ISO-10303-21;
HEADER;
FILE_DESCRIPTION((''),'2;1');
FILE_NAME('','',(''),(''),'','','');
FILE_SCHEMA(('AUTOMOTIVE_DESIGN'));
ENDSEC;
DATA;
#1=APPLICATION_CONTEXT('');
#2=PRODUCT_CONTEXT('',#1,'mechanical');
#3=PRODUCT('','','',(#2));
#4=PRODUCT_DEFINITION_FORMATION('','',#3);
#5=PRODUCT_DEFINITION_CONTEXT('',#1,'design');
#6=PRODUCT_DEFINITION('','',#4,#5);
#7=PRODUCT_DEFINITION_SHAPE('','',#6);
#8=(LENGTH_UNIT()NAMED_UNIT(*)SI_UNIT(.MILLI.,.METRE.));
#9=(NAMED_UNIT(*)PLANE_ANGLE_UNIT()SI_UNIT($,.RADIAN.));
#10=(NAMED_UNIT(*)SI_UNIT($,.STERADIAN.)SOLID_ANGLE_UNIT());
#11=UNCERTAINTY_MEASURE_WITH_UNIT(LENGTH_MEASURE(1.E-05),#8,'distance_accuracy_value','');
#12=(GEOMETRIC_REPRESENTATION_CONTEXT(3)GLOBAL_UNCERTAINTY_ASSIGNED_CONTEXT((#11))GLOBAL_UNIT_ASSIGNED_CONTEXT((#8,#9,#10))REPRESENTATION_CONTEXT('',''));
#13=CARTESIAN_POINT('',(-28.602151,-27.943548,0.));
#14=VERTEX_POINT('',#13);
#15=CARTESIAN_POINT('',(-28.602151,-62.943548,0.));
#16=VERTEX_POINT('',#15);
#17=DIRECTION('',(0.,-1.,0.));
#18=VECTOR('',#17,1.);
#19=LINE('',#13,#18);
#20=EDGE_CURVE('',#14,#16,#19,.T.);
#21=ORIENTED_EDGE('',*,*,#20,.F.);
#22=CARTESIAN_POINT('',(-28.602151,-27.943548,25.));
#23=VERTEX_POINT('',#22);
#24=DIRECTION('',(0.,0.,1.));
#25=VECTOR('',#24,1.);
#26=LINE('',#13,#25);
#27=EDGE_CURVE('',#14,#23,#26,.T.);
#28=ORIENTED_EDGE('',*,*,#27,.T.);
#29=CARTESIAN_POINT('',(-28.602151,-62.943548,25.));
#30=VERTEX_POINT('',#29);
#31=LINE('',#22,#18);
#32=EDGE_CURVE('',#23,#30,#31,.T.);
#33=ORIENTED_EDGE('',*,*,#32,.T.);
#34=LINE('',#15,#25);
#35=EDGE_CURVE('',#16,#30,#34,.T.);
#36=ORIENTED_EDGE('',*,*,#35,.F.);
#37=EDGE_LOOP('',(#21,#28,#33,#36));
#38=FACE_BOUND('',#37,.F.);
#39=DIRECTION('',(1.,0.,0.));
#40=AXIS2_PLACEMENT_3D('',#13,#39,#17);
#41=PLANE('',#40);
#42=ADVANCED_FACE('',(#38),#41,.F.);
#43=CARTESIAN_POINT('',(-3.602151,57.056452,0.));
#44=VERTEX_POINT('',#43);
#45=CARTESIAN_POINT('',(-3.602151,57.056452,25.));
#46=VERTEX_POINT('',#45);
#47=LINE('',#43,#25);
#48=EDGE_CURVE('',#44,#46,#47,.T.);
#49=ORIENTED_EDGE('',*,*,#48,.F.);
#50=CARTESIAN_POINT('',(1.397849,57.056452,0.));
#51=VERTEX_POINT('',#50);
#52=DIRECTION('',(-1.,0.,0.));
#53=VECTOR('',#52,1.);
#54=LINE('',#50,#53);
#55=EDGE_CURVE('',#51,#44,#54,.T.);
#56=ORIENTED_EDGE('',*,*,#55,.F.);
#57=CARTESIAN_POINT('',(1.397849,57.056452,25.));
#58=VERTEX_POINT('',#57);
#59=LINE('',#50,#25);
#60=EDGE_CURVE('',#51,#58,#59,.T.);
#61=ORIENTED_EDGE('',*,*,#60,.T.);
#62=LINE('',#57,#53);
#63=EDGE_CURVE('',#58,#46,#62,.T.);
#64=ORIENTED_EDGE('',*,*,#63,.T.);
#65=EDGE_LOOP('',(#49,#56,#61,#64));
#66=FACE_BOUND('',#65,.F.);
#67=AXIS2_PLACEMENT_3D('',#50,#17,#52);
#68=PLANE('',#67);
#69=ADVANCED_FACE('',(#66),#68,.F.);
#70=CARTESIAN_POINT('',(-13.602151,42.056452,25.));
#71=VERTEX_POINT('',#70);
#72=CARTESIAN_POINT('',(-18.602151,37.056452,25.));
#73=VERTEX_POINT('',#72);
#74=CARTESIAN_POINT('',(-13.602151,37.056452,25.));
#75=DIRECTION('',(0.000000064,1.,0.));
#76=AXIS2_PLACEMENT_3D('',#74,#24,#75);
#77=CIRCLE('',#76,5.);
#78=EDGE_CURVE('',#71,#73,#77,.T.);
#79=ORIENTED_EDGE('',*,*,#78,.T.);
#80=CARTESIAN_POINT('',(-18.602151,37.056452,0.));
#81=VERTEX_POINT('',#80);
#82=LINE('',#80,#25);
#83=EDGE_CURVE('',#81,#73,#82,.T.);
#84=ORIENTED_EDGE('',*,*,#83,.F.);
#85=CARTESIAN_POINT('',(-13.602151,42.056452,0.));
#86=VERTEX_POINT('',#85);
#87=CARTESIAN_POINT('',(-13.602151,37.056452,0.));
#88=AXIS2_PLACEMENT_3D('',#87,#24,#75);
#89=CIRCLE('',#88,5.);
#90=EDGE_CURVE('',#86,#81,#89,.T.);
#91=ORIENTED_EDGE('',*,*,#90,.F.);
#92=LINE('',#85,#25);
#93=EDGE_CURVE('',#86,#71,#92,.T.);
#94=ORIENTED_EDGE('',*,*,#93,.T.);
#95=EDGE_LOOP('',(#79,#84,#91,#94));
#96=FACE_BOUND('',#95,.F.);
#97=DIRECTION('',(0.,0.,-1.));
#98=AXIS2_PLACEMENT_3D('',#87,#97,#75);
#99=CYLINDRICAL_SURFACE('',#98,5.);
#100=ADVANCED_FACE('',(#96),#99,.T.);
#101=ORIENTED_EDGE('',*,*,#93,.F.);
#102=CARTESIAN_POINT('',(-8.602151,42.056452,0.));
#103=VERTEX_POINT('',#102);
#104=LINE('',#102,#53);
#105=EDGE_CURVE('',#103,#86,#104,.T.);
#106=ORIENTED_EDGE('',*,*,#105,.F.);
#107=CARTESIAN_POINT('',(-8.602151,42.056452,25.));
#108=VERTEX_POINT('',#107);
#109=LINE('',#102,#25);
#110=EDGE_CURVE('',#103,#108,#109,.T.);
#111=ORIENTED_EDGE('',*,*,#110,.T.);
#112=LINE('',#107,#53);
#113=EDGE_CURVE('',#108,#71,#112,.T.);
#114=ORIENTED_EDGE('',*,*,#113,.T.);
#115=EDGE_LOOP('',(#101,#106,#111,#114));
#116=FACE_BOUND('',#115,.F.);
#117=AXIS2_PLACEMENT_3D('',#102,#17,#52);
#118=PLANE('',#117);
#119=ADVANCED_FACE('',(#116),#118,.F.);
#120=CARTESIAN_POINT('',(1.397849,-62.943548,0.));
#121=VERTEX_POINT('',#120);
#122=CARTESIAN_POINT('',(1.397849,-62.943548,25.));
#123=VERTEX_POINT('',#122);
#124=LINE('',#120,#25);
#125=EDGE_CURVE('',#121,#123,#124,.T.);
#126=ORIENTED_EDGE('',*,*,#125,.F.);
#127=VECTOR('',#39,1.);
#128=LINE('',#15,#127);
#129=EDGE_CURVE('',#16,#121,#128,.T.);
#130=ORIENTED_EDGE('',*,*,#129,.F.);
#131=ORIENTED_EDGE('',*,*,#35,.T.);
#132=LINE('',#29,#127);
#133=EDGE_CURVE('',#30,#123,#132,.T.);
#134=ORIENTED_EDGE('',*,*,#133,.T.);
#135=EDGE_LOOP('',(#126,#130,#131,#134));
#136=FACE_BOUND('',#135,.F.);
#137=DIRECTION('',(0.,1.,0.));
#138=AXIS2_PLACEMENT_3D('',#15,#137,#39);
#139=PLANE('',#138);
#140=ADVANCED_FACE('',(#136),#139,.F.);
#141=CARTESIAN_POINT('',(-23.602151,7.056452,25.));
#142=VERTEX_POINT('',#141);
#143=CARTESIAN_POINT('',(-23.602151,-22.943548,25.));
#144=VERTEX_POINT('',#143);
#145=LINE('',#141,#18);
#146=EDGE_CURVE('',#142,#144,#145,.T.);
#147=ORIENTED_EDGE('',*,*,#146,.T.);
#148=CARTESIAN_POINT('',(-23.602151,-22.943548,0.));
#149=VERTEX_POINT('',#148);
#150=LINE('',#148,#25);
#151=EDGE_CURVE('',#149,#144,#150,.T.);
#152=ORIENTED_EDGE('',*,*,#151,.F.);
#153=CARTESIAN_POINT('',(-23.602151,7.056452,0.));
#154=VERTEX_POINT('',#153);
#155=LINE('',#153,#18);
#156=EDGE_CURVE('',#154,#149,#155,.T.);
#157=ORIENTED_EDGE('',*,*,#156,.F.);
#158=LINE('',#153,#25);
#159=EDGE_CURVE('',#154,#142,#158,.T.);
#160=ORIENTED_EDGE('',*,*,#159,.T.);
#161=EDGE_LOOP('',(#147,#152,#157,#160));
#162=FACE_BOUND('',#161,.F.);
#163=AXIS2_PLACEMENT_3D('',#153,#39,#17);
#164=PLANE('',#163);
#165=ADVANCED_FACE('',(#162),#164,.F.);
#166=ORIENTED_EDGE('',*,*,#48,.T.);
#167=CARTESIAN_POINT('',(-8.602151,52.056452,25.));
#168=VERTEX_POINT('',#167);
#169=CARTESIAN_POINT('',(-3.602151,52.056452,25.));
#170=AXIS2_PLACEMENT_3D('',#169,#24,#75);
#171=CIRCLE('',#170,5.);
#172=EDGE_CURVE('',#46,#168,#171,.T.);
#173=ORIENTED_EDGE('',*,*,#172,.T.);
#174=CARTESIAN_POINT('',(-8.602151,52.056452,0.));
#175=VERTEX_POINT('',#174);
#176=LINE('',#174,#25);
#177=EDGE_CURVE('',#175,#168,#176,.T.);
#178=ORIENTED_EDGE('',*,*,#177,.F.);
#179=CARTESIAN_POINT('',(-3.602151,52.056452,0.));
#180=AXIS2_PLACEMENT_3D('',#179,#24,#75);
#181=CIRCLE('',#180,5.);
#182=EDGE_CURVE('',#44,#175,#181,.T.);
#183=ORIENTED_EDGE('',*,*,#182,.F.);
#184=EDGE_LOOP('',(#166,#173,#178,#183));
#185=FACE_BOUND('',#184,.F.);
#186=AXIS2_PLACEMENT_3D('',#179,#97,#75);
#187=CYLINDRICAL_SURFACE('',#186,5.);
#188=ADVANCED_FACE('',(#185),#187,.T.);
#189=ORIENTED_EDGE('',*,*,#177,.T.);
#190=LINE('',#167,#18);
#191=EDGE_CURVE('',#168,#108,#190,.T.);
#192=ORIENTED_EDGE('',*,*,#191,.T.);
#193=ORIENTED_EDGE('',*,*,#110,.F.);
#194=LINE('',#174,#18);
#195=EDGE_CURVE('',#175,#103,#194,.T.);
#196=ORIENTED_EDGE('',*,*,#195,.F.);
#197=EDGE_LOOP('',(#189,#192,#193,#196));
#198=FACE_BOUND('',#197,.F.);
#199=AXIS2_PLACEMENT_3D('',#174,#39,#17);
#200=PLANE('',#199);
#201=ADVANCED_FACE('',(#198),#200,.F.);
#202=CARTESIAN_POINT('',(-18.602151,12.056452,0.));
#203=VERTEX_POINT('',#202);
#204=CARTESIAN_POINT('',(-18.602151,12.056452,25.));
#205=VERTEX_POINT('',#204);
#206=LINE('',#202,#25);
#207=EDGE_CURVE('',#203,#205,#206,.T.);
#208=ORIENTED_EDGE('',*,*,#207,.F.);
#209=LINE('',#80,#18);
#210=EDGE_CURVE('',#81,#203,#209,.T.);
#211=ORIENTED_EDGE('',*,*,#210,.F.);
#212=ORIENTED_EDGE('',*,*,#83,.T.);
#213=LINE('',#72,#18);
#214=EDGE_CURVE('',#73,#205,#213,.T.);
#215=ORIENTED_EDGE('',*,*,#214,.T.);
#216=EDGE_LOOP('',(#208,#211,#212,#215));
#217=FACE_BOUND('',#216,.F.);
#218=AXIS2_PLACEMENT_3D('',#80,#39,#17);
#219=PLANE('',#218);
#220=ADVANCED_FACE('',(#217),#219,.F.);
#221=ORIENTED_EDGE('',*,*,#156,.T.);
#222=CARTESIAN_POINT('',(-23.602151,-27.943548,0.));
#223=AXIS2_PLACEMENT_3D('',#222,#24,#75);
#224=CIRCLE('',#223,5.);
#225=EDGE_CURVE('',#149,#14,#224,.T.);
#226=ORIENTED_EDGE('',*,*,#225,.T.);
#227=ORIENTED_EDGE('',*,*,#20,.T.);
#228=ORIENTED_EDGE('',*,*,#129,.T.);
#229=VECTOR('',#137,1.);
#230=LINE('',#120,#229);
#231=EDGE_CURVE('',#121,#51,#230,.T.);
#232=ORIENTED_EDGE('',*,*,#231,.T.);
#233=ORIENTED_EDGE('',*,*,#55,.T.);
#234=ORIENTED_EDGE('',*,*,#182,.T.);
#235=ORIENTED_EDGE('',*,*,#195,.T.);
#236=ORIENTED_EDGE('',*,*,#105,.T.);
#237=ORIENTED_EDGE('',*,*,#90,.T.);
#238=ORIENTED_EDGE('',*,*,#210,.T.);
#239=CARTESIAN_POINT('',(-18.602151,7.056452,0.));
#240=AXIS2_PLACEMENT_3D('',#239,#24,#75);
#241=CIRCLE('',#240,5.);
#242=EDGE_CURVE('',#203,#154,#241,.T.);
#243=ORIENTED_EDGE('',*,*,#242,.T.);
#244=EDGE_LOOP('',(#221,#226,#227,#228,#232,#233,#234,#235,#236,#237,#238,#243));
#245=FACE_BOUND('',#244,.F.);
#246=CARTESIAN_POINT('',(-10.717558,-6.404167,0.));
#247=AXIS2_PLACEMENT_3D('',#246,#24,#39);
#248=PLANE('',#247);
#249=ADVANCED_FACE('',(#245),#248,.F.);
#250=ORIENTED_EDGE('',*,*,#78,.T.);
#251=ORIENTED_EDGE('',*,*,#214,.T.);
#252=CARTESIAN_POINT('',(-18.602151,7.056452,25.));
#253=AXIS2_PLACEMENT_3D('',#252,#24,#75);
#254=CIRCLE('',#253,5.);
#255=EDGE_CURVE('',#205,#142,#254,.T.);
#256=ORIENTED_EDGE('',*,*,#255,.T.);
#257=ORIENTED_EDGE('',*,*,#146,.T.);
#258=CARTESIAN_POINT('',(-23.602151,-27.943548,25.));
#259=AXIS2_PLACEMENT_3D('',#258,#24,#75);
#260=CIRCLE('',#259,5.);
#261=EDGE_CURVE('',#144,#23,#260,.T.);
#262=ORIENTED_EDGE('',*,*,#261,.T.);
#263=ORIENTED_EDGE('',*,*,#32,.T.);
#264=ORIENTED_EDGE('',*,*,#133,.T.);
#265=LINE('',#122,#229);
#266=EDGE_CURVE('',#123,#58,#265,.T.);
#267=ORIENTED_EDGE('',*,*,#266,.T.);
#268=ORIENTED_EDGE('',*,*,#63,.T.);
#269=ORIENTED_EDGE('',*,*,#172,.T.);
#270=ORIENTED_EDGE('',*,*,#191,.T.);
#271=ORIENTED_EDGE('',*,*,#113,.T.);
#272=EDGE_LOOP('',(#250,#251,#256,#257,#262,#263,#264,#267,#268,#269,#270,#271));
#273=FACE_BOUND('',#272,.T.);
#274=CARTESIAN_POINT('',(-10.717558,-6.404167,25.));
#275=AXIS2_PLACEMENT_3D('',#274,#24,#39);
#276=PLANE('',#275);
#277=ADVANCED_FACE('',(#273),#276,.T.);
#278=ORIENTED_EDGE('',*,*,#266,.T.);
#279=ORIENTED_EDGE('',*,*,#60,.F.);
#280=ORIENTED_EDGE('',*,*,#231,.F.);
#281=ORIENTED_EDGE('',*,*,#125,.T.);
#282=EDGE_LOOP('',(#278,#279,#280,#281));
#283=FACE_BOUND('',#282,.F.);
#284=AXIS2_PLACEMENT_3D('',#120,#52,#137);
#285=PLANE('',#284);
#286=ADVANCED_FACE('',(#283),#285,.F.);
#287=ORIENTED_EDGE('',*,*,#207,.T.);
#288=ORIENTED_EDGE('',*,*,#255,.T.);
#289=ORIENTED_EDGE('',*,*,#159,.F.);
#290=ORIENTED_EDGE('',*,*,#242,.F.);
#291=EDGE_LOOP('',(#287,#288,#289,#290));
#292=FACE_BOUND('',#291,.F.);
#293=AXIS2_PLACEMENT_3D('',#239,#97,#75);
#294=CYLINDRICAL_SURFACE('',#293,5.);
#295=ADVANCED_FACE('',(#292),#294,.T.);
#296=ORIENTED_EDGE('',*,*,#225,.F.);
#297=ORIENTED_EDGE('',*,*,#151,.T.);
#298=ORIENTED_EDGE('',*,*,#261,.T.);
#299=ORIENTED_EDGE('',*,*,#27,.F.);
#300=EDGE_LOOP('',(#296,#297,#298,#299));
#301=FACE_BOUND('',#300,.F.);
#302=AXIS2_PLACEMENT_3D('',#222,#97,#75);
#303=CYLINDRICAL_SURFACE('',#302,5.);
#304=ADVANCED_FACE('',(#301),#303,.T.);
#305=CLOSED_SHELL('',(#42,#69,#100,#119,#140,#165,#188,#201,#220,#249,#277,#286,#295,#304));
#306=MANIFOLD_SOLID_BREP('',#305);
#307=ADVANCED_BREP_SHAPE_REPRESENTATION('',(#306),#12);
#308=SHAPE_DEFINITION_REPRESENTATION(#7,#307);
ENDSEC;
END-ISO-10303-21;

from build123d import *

# Parameters (mm, degrees)
F1_DEPTH = 25


with BuildPart() as f1:
    # F0 (on Top) → F1 (new body)
    with BuildSketch(Plane.XY):
        with BuildLine():
            Line((-28.602151, -27.943548), (-28.602151, -62.943548))
            Line((-28.602151, -62.943548), (1.397849, -62.943548))
            Line((1.397849, -62.943548), (1.397849, 57.056452))
            Line((1.397849, 57.056452), (-3.602151, 57.056452))
            ThreePointArc((-3.602151, 57.056452), (-7.137685, 55.591986), (-8.602151, 52.056452))
            Line((-8.602151, 52.056452), (-8.602151, 42.056452))
            Line((-8.602151, 42.056452), (-13.602151, 42.056452))
            ThreePointArc((-13.602151, 42.056452), (-17.137685, 40.591986), (-18.602151, 37.056452))
            Line((-18.602151, 37.056452), (-18.602151, 12.056452))
            ThreePointArc((-18.602151, 12.056452), (-22.137685, 10.591986), (-23.602151, 7.056452))
            Line((-23.602151, 7.056452), (-23.602151, -22.943548))
            ThreePointArc((-23.602151, -22.943548), (-27.137685, -24.408014), (-28.602151, -27.943548))
        make_face()
    extrude(amount=F1_DEPTH)


solid = f1.part
